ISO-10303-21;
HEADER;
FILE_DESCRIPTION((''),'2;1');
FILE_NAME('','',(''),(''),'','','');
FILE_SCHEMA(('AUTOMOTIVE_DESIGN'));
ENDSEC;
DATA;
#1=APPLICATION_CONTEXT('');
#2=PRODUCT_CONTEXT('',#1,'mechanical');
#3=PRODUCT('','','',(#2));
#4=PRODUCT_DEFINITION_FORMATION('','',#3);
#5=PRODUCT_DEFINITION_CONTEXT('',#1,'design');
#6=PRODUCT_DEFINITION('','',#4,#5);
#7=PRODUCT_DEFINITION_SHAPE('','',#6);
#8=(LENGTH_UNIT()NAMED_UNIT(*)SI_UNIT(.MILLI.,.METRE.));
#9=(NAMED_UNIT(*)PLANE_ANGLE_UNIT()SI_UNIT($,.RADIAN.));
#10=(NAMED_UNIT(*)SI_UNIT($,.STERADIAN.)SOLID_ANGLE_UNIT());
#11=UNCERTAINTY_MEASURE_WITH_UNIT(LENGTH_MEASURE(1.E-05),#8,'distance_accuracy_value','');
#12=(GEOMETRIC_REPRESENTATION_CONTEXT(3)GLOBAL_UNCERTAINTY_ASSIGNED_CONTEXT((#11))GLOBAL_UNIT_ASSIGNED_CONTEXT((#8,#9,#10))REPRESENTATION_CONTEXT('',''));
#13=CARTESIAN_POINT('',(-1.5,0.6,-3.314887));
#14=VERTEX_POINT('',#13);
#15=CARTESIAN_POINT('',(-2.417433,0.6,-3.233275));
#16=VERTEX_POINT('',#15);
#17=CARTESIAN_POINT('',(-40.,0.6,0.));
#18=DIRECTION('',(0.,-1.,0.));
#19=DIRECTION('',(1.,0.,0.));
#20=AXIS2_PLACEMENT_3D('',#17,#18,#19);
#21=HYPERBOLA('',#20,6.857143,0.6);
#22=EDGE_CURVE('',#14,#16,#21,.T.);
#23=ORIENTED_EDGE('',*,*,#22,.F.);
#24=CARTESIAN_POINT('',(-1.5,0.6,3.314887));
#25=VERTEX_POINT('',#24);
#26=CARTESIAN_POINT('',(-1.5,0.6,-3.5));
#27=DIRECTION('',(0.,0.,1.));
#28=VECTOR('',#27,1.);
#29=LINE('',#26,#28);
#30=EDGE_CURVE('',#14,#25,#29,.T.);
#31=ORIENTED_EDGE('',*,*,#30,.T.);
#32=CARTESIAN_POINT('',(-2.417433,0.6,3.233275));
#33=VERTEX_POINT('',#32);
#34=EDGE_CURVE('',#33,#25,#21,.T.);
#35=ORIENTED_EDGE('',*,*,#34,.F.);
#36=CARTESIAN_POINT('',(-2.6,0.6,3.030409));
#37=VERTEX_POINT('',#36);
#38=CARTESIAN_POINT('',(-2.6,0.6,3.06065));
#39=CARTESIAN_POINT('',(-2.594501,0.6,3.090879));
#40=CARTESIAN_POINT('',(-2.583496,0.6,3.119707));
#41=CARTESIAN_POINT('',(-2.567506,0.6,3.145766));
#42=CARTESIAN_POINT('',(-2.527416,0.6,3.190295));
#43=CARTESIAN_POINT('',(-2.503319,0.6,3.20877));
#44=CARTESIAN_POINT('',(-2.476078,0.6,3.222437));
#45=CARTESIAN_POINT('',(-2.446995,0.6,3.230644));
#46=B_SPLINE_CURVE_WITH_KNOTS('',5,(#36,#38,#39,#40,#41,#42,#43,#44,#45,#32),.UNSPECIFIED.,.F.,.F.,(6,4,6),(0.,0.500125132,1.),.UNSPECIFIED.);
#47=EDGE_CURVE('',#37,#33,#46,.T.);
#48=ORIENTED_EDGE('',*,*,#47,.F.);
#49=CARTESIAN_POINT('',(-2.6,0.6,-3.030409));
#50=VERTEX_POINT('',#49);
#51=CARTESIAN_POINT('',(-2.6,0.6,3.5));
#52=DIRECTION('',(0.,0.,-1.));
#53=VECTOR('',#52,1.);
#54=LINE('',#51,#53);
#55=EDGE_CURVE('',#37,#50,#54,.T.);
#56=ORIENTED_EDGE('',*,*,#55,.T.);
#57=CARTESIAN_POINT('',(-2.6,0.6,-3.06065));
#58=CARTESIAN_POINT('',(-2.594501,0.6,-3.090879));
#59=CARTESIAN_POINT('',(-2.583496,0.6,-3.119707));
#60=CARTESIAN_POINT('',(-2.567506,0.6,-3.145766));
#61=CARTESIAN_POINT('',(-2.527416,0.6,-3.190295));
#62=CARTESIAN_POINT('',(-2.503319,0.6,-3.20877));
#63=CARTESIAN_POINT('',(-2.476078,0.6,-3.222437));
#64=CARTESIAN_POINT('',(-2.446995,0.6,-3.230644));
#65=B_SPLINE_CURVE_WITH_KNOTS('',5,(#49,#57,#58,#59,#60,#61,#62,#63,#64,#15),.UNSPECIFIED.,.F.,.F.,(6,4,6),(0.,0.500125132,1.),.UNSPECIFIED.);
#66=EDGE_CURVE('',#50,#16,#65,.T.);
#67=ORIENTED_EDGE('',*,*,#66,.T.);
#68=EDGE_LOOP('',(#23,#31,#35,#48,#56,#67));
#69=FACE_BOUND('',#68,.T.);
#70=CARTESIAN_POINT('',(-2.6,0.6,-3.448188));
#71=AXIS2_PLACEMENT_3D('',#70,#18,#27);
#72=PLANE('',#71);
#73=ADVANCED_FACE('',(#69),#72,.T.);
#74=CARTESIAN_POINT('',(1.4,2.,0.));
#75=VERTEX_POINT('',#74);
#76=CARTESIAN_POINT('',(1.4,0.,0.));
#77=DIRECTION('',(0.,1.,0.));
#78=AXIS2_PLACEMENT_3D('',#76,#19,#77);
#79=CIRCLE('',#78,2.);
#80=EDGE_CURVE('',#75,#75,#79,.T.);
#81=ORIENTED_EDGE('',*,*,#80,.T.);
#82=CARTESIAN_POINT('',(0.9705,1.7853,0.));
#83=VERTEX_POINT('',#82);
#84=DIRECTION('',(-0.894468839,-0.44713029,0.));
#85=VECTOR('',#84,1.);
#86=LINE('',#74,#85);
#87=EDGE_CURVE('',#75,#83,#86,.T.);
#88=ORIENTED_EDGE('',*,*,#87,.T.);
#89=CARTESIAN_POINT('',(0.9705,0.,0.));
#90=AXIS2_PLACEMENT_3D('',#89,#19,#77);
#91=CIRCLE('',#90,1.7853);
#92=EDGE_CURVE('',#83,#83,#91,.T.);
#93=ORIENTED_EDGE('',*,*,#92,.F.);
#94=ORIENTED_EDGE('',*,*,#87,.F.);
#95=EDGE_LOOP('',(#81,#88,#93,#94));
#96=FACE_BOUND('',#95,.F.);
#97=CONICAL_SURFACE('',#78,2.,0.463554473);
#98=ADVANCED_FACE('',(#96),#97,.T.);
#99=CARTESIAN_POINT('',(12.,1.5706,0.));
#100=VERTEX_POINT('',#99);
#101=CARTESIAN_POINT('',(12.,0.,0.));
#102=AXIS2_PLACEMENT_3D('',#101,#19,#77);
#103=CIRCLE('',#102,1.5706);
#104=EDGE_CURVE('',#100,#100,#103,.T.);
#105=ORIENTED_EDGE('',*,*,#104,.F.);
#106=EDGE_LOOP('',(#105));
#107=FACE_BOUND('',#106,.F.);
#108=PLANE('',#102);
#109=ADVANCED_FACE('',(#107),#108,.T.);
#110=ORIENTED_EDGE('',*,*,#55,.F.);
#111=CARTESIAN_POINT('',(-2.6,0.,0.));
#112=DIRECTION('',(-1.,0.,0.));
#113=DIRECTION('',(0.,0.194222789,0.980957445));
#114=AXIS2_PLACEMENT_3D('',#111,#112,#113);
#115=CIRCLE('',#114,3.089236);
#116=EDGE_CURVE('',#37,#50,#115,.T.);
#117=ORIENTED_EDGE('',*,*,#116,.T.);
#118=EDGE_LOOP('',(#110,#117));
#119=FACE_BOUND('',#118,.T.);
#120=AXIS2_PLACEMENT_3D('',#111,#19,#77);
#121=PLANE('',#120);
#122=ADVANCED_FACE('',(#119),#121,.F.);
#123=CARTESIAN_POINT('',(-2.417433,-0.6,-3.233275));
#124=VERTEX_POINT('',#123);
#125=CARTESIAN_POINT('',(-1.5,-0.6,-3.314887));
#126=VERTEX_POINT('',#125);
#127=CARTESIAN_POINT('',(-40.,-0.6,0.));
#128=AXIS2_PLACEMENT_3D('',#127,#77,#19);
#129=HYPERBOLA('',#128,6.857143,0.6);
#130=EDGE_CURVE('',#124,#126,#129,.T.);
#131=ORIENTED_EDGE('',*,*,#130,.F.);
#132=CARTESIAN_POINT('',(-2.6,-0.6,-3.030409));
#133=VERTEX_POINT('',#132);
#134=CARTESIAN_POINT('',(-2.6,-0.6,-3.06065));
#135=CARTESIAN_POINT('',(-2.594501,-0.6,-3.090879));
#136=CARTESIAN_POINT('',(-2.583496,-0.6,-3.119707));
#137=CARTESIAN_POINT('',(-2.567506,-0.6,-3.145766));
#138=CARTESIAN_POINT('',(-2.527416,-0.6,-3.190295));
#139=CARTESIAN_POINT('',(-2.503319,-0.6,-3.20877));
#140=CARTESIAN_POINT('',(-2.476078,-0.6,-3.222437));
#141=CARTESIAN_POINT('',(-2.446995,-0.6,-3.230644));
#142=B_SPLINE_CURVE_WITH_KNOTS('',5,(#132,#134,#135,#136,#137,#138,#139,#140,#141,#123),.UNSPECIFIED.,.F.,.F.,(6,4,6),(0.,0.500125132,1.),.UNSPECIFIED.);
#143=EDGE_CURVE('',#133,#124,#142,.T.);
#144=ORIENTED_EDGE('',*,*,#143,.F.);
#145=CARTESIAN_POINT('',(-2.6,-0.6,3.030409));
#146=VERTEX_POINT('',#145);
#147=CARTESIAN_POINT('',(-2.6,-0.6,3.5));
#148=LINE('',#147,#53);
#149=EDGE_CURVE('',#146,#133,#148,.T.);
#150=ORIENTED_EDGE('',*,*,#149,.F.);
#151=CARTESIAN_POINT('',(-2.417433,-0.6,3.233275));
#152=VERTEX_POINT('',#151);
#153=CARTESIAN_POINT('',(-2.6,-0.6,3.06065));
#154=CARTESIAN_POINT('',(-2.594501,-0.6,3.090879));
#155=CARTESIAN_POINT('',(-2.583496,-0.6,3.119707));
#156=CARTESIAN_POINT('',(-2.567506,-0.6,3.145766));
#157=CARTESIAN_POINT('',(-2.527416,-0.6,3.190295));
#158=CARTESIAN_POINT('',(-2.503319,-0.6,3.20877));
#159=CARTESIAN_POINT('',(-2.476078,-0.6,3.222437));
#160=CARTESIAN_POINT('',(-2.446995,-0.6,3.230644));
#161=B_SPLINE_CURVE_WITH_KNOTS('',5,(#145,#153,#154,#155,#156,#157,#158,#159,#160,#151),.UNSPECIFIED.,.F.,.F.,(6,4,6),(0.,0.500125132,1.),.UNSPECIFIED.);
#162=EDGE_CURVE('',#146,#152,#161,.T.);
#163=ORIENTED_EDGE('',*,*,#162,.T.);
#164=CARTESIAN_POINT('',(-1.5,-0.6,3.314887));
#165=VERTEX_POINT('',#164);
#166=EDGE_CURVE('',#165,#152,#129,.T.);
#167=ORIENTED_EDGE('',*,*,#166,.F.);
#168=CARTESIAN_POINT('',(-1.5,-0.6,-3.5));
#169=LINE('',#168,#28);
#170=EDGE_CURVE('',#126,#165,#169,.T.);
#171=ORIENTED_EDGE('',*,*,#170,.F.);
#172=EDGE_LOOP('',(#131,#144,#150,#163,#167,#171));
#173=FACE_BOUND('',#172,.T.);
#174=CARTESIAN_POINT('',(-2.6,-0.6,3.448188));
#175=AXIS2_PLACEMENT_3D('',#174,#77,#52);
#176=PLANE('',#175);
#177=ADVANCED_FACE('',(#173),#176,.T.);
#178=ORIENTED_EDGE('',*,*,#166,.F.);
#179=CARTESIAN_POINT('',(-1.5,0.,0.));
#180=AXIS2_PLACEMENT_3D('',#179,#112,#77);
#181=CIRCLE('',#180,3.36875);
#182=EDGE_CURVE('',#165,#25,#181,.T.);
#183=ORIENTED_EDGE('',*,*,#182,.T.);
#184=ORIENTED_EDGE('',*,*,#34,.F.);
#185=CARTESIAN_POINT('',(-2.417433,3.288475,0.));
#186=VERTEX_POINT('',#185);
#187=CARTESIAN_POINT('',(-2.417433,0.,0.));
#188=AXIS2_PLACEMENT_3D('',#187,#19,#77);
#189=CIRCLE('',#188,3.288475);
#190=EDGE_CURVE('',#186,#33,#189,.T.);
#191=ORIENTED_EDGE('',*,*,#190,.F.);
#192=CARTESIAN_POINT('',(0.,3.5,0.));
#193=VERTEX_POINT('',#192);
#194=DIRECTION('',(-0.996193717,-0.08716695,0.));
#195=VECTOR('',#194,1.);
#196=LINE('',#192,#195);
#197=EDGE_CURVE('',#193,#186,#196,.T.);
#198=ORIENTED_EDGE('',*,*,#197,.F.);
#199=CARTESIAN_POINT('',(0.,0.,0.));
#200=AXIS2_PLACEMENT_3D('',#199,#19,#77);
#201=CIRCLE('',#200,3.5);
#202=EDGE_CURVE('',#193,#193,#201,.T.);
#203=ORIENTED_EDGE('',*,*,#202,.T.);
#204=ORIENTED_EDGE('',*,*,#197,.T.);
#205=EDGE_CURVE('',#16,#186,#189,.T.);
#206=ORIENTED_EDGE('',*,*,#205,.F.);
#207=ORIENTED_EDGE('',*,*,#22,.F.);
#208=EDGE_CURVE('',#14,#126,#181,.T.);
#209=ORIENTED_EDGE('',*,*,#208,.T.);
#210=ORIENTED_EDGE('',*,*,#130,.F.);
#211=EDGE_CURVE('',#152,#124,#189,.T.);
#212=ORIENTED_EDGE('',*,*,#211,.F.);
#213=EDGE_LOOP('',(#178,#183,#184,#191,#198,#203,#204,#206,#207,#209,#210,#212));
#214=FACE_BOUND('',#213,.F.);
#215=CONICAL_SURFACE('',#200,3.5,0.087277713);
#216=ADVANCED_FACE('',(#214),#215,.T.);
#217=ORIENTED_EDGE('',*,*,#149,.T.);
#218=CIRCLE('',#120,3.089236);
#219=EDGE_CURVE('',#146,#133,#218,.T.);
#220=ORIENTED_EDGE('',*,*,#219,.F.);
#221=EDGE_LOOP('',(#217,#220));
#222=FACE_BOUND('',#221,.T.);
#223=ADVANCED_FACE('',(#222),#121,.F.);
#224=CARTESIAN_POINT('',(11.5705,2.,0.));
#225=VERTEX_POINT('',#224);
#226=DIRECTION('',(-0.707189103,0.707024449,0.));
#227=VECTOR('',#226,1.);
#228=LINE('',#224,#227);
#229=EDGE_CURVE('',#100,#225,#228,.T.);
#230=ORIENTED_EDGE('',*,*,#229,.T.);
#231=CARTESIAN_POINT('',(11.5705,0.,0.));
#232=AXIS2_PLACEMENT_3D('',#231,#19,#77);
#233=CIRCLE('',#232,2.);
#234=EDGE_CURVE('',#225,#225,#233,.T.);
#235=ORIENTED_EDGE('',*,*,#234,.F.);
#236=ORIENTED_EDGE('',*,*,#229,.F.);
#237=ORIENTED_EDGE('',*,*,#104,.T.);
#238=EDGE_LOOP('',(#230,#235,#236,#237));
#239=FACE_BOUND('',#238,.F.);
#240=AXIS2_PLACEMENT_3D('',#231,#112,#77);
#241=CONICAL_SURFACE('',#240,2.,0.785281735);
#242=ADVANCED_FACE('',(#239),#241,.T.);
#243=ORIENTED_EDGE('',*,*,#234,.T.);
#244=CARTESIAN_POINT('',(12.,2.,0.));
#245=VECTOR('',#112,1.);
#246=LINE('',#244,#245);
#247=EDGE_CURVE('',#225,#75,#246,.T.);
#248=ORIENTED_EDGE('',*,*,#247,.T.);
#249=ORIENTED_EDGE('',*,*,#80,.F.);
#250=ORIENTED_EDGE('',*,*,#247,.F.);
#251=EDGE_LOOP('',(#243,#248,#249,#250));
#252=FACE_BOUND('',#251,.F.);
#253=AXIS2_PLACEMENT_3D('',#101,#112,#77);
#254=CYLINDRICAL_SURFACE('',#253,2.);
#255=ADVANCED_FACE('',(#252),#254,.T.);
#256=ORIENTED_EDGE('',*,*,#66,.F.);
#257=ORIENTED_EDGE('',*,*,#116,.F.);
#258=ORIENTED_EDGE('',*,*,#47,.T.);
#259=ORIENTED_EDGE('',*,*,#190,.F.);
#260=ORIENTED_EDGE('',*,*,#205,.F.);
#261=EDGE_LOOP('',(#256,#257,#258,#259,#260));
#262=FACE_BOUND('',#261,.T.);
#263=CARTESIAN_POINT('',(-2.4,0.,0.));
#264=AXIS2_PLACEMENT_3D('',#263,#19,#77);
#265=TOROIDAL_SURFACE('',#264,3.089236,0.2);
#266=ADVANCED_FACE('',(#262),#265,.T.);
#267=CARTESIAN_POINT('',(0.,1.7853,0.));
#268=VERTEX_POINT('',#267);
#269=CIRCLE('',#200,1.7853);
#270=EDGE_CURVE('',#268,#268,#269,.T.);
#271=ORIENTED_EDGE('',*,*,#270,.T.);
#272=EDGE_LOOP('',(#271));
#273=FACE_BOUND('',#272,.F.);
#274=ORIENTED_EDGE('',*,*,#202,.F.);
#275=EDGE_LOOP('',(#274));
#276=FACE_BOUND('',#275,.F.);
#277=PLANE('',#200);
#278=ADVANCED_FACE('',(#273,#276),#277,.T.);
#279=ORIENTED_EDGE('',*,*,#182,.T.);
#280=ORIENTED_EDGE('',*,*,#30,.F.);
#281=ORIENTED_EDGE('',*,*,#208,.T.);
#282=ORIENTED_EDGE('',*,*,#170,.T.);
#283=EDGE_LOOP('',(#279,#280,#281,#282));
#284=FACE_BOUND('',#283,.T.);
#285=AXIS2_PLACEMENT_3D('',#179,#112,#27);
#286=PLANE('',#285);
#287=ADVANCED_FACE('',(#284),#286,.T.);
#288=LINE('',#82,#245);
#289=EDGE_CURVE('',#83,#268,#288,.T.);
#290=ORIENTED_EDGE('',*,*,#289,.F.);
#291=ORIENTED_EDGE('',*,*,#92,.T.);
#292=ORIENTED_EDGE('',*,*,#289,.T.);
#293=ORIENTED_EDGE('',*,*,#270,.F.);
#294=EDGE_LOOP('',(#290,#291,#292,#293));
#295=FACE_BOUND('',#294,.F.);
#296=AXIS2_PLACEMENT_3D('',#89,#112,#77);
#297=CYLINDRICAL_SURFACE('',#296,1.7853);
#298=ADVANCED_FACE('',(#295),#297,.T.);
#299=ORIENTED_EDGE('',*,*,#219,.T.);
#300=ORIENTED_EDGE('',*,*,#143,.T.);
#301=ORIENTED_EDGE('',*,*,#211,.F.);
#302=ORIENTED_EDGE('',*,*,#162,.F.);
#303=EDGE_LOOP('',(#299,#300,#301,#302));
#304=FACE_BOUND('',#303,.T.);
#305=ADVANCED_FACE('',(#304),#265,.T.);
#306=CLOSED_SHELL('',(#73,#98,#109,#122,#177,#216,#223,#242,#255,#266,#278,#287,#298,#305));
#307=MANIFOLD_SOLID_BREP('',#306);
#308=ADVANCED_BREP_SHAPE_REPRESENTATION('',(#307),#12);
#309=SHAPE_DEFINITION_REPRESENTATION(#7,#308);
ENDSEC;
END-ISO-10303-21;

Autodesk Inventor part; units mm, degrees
ref_plane "YZ Plane" through (0, 0, 0) normal (1, 0, 0) x (0, 1, 0)
ref_plane "XZ Plane" through (0, 0, 0) normal (0, 1, 0) x (-1, 0, 0)
sketch "Sketch1" plane through (0, 0, 0) normal (0, 0, 1) x (1, 0, 0)
  line L0 (-2.6, 0) -> (12, 0)
  line L1 (12, 0) -> (12, 2)
  line L2 (12, 2) -> (1.4, 2)
  line L3 (1.4, 2) -> (0.9705, 1.7853)
  line L4 (0.9705, 1.7853) -> (0, 1.7853)
  line L5 (0, 1.7853) -> (0, 3.5)
  line L6 (-5.52, 0) -> (14.92, 0) projected
  line L7 (0, -0.7) -> (0, 4.2) projected
  line L8 (-2.6, 0) -> (-2.6, 3.2725)
  line L9 (0, 3.5) -> (-2.6, 3.2725)
  line L10 (1.4, 2) -> (0, 2) construction
  dimension "d0" = 12
  dimension "d1" = 10.6
  dimension "d2" = 0.4295
  dimension "d3" = 2.6
  dimension "d4" = 4
  dimension "d5" = 3.5705
  dimension "d9" = 7
  dimension "d10" = 5
revolve "Body" add sketch "Sketch1" angle 360 about axis through (-2.6, 0, 0) along (1, 0, 0)
sketch "Sketch2" plane through (-2.6, 0, 0) normal (-1, 0, 0) x (0, 0, 1)
  circle A0 centre (0, 0) radius 3.5 projected
  line L0 (0, 0) -> (0, 3.2725) projected
  line L1 (-3.5, 0.6) -> (3.5, 0.6)
  line L2 (3.5, 0.6) -> (3.5, -0.6)
  line L3 (3.5, -0.6) -> (-3.5, -0.6)
  line L4 (-3.5, -0.6) -> (-3.5, 0.6)
  line L5 (-3.5, 0) -> (3.5, 0) construction
  line L6 (0, 0.6) -> (0, -0.6) construction
  dimension "d11" = 1.2
  dimension "d12" = 7
fillet "Fillet1" radius 0.2 1 edges at (-2.6, -3.2725, 0)
extrude "Slot" cut sketch "Sketch2" against normal blind 1.1 contours A0 L3 L1 | L2 L3 A0 | A0 L1 L2 | A0 L4 L1 | L3 L4 A0
thread "Thread" size "M4x0.7" class "6g" standard "ISO Metric profile" length 10.6
chamfer "Chamfer1" distance 0.4294 distance2 0.4295 1 edges at (12, -2, 0) measured on face at (12, 0.6473, -0.1595)
ref_plane "Work Plane1" through (30.1625, 0, 0) normal (0, 0, -1) x (1, 0, 0)
equation "\"d11\" = SBR"
equation "\"d12\" = KOD"
equation "\"d19\" = STI"
equation "\"d14\" = RR"
equation "\"d15\" = GEL"
equation "\"d17\" = -0.5 * SPD + 0.5 * GD"
equation "\"d0\" = NLG"
equation "\"d1\" = GEL"
equation "\"d3\" = KOH"
equation "\"d4\" = GD"
equation "\"d5\" = BDM"
equation "\"d9\" = KOD"
equation "\"d10\" = KEWI"
equation "\"GD\" = NND"
equation "\"NLG\" = 12"
equation "\"GEL\" = 10.6"
equation "\"KOD\" = 7"
equation "\"KOH\" = 2.6"
equation "\"GAL\" = 0.61345 * PTC"
equation "\"SPD\" = NND - 1.2269 * PTC"
equation "\"BDM\" = 3.5705"
equation "\"GUL\" = 0.61345 * PTC"
equation "\"RR\" = 0.2"
equation "\"SBR\" = 1.2"
equation "\"STI\" = 1.1"
equation "\"KEWI\" = 5deg"
equation "\"PTC\" = 0.7"
equation "\"THREADDIA\" = 4"
equation "\"TOA\" = 30deg"
equation "\"NND\" = 4"
equation "\"GD1\" = THREADDIA - 1.2269 * PTC"
properties part number "ISO 1207 - M4 x 12" material "Stainless Steel, 440C"
